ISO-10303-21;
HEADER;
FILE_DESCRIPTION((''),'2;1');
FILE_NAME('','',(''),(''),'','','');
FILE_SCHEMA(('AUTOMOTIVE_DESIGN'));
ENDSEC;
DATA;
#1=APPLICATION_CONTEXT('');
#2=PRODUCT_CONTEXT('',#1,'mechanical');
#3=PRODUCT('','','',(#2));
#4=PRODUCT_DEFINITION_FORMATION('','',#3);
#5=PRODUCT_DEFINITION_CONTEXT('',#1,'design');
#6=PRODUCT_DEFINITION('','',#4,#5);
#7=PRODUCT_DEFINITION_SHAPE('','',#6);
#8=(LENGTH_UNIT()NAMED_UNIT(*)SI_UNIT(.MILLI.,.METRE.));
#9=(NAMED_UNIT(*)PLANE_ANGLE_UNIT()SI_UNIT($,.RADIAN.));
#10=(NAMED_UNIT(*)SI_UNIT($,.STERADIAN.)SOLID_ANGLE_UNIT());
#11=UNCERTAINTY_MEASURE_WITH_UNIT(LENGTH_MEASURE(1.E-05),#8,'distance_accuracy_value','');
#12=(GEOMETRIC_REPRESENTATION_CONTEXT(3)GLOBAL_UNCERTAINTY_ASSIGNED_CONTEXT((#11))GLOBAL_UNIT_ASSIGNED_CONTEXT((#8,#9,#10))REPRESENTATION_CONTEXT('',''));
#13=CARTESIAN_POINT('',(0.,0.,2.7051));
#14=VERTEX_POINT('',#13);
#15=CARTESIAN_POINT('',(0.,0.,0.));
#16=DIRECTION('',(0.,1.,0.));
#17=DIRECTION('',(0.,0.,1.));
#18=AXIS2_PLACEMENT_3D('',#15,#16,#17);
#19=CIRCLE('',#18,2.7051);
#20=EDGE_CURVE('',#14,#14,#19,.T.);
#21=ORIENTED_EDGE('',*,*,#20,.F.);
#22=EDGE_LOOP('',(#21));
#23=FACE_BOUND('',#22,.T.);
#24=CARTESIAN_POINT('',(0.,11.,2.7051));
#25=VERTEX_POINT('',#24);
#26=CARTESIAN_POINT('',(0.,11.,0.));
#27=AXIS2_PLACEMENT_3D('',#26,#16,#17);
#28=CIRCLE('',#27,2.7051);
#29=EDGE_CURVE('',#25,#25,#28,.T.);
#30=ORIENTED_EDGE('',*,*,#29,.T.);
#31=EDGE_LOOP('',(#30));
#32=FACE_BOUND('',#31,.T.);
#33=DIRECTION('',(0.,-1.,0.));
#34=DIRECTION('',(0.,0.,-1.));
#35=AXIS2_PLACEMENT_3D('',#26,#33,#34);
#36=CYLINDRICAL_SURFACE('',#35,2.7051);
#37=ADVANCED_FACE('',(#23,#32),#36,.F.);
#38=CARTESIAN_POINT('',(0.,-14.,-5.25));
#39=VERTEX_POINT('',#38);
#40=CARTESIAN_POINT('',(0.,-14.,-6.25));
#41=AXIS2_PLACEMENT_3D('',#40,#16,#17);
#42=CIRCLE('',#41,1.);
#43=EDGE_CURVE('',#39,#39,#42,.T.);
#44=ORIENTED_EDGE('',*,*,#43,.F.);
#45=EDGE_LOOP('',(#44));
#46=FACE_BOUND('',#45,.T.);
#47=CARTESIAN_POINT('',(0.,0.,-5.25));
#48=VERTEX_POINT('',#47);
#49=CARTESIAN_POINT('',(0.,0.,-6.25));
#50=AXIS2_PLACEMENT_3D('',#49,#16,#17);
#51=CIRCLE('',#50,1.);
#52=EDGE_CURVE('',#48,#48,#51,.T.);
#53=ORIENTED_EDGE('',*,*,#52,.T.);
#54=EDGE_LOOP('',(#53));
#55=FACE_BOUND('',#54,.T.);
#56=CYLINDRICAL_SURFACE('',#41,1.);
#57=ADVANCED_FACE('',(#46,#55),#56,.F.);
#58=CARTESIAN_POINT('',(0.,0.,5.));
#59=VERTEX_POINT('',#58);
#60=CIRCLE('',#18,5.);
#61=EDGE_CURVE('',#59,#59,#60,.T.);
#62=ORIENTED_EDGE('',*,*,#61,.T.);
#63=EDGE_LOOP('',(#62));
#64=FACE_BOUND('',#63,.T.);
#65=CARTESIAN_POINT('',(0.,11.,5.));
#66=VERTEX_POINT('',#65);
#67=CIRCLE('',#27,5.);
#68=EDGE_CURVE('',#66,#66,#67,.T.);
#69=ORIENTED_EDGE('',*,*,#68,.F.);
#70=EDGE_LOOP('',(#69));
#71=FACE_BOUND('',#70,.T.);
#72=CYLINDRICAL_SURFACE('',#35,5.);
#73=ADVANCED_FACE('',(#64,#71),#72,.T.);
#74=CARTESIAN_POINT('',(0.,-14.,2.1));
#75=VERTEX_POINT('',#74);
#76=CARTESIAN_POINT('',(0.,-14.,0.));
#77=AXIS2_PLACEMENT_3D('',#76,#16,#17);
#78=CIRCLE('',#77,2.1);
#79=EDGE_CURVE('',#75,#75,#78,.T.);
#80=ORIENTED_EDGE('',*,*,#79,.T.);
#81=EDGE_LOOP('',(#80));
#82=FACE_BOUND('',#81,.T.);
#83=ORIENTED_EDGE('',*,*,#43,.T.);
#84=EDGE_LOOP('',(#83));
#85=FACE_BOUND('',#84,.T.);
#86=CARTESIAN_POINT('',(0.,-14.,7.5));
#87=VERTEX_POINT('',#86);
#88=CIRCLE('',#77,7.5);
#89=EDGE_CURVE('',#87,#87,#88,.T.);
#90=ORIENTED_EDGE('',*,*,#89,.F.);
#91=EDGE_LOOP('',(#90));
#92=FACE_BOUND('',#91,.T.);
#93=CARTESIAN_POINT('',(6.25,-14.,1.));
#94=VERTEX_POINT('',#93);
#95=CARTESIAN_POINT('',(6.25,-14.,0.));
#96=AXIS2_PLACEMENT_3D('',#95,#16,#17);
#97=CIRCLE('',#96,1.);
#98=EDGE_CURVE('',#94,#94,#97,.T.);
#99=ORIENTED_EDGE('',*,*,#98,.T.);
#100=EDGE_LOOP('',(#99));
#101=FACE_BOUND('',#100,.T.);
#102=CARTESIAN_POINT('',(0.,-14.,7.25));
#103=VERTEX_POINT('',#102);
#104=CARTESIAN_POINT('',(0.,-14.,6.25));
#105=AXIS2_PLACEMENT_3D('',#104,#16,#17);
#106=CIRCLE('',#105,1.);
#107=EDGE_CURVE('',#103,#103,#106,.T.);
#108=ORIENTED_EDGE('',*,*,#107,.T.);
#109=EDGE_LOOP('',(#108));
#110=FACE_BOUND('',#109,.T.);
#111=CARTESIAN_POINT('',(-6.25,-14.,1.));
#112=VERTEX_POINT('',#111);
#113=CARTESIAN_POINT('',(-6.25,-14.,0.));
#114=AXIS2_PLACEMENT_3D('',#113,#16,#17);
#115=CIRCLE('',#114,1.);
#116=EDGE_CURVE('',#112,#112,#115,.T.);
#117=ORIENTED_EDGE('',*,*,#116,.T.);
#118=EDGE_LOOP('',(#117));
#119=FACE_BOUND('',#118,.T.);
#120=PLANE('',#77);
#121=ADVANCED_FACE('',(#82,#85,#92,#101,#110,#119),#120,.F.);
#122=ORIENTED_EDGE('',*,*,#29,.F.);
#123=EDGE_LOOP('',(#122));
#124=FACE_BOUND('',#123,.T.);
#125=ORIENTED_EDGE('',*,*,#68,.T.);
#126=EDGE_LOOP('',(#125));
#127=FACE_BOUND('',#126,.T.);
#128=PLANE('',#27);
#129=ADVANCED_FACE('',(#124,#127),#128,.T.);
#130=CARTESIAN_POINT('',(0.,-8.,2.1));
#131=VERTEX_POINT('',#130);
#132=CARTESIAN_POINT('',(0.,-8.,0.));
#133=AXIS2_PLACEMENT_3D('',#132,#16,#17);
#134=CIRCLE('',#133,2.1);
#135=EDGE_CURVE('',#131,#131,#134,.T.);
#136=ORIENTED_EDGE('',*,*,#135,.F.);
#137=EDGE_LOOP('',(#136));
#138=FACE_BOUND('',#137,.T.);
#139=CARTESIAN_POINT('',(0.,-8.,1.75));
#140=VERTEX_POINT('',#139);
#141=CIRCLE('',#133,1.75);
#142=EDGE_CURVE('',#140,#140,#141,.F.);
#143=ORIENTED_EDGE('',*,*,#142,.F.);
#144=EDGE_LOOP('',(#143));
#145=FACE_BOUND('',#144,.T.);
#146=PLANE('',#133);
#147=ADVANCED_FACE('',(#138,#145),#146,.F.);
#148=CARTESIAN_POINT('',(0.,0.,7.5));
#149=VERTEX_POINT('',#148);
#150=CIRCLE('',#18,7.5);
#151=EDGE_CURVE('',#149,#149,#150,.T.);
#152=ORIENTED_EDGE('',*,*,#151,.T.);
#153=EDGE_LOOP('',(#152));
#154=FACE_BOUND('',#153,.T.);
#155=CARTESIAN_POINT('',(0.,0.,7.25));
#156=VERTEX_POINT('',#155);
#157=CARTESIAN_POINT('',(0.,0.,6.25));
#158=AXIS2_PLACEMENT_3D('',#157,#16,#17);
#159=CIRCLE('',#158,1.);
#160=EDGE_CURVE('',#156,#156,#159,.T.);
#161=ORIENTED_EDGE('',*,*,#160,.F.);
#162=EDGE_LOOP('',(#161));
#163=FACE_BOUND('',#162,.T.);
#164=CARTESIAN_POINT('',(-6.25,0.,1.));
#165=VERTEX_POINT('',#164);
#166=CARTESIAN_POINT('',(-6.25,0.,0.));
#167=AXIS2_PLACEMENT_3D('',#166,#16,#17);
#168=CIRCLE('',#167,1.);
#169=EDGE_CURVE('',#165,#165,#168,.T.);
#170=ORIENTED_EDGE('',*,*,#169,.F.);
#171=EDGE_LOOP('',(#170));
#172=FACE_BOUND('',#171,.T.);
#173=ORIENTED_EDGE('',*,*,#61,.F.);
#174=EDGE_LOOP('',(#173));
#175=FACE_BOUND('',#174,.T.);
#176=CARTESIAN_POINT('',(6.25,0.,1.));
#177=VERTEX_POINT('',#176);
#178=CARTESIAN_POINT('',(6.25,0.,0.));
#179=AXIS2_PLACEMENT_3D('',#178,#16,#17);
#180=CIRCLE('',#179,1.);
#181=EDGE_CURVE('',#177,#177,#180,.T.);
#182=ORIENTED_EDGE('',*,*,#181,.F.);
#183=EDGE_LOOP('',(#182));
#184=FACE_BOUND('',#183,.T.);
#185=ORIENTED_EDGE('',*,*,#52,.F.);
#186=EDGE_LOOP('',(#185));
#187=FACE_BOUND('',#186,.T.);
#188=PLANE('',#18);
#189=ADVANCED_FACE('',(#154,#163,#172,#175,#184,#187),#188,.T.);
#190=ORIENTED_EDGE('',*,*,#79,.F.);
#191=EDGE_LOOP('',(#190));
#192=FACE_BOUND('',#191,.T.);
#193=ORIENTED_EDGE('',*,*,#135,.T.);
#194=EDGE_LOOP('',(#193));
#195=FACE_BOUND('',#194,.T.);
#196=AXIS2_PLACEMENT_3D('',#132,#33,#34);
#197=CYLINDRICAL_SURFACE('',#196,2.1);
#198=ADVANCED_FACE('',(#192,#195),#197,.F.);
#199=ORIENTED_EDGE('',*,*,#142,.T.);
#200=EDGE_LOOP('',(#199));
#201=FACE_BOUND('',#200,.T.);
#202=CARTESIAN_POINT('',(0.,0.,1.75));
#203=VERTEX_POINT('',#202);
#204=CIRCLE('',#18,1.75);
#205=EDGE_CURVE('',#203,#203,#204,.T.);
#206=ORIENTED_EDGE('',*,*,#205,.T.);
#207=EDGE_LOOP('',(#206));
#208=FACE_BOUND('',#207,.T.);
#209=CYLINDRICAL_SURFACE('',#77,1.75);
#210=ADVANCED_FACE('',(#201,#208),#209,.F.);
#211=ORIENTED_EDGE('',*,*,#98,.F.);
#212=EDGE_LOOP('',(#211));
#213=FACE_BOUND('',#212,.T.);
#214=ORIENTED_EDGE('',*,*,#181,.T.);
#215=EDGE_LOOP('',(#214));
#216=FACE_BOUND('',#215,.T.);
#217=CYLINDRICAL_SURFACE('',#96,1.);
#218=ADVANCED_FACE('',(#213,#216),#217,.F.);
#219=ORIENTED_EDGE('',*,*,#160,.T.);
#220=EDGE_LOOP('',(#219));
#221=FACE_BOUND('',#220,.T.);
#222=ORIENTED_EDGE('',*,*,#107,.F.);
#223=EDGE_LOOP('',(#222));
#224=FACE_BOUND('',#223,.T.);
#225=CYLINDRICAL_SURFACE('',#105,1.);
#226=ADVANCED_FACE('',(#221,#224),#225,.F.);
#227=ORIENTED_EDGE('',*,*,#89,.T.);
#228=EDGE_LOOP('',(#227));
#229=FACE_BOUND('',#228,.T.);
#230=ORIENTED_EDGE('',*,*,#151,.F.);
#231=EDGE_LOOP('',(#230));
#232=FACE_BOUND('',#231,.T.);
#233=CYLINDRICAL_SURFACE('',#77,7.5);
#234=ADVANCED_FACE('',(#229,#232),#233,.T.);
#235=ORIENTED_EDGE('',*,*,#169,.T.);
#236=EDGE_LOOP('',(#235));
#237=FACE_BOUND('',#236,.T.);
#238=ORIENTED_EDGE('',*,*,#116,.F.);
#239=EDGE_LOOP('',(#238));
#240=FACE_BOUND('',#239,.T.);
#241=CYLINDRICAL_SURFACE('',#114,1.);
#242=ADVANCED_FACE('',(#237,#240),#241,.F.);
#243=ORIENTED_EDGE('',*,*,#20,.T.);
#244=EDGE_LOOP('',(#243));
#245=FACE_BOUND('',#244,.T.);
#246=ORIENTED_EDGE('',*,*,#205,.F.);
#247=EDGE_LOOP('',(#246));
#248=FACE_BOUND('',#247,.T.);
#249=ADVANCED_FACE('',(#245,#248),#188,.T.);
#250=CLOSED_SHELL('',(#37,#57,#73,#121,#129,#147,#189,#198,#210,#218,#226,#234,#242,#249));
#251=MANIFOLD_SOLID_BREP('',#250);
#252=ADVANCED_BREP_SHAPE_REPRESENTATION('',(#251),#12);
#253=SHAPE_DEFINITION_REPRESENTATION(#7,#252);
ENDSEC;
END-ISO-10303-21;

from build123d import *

# Parameters (mm, degrees)
SKETCH1_R           = 5
SKETCH1_R_2         = 2.7051
BOSS_EXTRUDE1_DEPTH = 11
SKETCH2_R           = 7.5
SKETCH2_R_2         = 1.75
SKETCH2_R_3         = 1
BOSS_EXTRUDE2_DEPTH = 14
CUT_EXTRUDE1_START  = -14
SKETCH3_R           = 2.1
CUT_EXTRUDE1_DEPTH  = 6


with BuildPart() as part:
    # Sketch1 → Boss-Extrude1 (new body)
    with BuildSketch(Plane(origin=(0, 0, 0), x_dir=(1, 0, 0), z_dir=(0, 1, 0))):
        with Locations(Location((0, 0, 0), (0, 0, 270))):
            Circle(SKETCH1_R)
        with Locations(Location((0, 0, 0), (0, 0, 270))):
            Circle(SKETCH1_R_2, mode=Mode.SUBTRACT)
    extrude(amount=BOSS_EXTRUDE1_DEPTH)

    # Sketch2 → Boss-Extrude2 (add)
    with BuildSketch(Plane(origin=(0, 0, 0), x_dir=(1, 0, 0), z_dir=(0, 1, 0))):
        with Locations(Location((0, 0, 0), (0, 0, 270))):
            Circle(SKETCH2_R)
        with Locations(Location((0, 0, 0), (0, 0, 270))):
            Circle(SKETCH2_R_2, mode=Mode.SUBTRACT)
        with Locations(Location((0, 6.25, 0), (0, 0, 270))):
            Circle(SKETCH2_R_3, mode=Mode.SUBTRACT)
        with Locations(Location((6.25, 0, 0), (0, 0, 270))):
            Circle(SKETCH2_R_3, mode=Mode.SUBTRACT)
        with Locations(Location((0, -6.25, 0), (0, 0, 270))):
            Circle(SKETCH2_R_3, mode=Mode.SUBTRACT)
        with Locations(Location((-6.25, 0, 0), (0, 0, 270))):
            Circle(SKETCH2_R_3, mode=Mode.SUBTRACT)
    extrude(amount=-BOSS_EXTRUDE2_DEPTH)

    # Sketch3 → Cut-Extrude1 (cut)
    with BuildSketch(Plane(origin=(0, 0, 0), x_dir=(1, 0, 0), z_dir=(0, 1, 0)).offset(CUT_EXTRUDE1_START)):
        with Locations(Location((0, 0, 0), (0, 0, 270))):
            Circle(SKETCH3_R)
    extrude(amount=CUT_EXTRUDE1_DEPTH, mode=Mode.SUBTRACT)


solid = part.part
